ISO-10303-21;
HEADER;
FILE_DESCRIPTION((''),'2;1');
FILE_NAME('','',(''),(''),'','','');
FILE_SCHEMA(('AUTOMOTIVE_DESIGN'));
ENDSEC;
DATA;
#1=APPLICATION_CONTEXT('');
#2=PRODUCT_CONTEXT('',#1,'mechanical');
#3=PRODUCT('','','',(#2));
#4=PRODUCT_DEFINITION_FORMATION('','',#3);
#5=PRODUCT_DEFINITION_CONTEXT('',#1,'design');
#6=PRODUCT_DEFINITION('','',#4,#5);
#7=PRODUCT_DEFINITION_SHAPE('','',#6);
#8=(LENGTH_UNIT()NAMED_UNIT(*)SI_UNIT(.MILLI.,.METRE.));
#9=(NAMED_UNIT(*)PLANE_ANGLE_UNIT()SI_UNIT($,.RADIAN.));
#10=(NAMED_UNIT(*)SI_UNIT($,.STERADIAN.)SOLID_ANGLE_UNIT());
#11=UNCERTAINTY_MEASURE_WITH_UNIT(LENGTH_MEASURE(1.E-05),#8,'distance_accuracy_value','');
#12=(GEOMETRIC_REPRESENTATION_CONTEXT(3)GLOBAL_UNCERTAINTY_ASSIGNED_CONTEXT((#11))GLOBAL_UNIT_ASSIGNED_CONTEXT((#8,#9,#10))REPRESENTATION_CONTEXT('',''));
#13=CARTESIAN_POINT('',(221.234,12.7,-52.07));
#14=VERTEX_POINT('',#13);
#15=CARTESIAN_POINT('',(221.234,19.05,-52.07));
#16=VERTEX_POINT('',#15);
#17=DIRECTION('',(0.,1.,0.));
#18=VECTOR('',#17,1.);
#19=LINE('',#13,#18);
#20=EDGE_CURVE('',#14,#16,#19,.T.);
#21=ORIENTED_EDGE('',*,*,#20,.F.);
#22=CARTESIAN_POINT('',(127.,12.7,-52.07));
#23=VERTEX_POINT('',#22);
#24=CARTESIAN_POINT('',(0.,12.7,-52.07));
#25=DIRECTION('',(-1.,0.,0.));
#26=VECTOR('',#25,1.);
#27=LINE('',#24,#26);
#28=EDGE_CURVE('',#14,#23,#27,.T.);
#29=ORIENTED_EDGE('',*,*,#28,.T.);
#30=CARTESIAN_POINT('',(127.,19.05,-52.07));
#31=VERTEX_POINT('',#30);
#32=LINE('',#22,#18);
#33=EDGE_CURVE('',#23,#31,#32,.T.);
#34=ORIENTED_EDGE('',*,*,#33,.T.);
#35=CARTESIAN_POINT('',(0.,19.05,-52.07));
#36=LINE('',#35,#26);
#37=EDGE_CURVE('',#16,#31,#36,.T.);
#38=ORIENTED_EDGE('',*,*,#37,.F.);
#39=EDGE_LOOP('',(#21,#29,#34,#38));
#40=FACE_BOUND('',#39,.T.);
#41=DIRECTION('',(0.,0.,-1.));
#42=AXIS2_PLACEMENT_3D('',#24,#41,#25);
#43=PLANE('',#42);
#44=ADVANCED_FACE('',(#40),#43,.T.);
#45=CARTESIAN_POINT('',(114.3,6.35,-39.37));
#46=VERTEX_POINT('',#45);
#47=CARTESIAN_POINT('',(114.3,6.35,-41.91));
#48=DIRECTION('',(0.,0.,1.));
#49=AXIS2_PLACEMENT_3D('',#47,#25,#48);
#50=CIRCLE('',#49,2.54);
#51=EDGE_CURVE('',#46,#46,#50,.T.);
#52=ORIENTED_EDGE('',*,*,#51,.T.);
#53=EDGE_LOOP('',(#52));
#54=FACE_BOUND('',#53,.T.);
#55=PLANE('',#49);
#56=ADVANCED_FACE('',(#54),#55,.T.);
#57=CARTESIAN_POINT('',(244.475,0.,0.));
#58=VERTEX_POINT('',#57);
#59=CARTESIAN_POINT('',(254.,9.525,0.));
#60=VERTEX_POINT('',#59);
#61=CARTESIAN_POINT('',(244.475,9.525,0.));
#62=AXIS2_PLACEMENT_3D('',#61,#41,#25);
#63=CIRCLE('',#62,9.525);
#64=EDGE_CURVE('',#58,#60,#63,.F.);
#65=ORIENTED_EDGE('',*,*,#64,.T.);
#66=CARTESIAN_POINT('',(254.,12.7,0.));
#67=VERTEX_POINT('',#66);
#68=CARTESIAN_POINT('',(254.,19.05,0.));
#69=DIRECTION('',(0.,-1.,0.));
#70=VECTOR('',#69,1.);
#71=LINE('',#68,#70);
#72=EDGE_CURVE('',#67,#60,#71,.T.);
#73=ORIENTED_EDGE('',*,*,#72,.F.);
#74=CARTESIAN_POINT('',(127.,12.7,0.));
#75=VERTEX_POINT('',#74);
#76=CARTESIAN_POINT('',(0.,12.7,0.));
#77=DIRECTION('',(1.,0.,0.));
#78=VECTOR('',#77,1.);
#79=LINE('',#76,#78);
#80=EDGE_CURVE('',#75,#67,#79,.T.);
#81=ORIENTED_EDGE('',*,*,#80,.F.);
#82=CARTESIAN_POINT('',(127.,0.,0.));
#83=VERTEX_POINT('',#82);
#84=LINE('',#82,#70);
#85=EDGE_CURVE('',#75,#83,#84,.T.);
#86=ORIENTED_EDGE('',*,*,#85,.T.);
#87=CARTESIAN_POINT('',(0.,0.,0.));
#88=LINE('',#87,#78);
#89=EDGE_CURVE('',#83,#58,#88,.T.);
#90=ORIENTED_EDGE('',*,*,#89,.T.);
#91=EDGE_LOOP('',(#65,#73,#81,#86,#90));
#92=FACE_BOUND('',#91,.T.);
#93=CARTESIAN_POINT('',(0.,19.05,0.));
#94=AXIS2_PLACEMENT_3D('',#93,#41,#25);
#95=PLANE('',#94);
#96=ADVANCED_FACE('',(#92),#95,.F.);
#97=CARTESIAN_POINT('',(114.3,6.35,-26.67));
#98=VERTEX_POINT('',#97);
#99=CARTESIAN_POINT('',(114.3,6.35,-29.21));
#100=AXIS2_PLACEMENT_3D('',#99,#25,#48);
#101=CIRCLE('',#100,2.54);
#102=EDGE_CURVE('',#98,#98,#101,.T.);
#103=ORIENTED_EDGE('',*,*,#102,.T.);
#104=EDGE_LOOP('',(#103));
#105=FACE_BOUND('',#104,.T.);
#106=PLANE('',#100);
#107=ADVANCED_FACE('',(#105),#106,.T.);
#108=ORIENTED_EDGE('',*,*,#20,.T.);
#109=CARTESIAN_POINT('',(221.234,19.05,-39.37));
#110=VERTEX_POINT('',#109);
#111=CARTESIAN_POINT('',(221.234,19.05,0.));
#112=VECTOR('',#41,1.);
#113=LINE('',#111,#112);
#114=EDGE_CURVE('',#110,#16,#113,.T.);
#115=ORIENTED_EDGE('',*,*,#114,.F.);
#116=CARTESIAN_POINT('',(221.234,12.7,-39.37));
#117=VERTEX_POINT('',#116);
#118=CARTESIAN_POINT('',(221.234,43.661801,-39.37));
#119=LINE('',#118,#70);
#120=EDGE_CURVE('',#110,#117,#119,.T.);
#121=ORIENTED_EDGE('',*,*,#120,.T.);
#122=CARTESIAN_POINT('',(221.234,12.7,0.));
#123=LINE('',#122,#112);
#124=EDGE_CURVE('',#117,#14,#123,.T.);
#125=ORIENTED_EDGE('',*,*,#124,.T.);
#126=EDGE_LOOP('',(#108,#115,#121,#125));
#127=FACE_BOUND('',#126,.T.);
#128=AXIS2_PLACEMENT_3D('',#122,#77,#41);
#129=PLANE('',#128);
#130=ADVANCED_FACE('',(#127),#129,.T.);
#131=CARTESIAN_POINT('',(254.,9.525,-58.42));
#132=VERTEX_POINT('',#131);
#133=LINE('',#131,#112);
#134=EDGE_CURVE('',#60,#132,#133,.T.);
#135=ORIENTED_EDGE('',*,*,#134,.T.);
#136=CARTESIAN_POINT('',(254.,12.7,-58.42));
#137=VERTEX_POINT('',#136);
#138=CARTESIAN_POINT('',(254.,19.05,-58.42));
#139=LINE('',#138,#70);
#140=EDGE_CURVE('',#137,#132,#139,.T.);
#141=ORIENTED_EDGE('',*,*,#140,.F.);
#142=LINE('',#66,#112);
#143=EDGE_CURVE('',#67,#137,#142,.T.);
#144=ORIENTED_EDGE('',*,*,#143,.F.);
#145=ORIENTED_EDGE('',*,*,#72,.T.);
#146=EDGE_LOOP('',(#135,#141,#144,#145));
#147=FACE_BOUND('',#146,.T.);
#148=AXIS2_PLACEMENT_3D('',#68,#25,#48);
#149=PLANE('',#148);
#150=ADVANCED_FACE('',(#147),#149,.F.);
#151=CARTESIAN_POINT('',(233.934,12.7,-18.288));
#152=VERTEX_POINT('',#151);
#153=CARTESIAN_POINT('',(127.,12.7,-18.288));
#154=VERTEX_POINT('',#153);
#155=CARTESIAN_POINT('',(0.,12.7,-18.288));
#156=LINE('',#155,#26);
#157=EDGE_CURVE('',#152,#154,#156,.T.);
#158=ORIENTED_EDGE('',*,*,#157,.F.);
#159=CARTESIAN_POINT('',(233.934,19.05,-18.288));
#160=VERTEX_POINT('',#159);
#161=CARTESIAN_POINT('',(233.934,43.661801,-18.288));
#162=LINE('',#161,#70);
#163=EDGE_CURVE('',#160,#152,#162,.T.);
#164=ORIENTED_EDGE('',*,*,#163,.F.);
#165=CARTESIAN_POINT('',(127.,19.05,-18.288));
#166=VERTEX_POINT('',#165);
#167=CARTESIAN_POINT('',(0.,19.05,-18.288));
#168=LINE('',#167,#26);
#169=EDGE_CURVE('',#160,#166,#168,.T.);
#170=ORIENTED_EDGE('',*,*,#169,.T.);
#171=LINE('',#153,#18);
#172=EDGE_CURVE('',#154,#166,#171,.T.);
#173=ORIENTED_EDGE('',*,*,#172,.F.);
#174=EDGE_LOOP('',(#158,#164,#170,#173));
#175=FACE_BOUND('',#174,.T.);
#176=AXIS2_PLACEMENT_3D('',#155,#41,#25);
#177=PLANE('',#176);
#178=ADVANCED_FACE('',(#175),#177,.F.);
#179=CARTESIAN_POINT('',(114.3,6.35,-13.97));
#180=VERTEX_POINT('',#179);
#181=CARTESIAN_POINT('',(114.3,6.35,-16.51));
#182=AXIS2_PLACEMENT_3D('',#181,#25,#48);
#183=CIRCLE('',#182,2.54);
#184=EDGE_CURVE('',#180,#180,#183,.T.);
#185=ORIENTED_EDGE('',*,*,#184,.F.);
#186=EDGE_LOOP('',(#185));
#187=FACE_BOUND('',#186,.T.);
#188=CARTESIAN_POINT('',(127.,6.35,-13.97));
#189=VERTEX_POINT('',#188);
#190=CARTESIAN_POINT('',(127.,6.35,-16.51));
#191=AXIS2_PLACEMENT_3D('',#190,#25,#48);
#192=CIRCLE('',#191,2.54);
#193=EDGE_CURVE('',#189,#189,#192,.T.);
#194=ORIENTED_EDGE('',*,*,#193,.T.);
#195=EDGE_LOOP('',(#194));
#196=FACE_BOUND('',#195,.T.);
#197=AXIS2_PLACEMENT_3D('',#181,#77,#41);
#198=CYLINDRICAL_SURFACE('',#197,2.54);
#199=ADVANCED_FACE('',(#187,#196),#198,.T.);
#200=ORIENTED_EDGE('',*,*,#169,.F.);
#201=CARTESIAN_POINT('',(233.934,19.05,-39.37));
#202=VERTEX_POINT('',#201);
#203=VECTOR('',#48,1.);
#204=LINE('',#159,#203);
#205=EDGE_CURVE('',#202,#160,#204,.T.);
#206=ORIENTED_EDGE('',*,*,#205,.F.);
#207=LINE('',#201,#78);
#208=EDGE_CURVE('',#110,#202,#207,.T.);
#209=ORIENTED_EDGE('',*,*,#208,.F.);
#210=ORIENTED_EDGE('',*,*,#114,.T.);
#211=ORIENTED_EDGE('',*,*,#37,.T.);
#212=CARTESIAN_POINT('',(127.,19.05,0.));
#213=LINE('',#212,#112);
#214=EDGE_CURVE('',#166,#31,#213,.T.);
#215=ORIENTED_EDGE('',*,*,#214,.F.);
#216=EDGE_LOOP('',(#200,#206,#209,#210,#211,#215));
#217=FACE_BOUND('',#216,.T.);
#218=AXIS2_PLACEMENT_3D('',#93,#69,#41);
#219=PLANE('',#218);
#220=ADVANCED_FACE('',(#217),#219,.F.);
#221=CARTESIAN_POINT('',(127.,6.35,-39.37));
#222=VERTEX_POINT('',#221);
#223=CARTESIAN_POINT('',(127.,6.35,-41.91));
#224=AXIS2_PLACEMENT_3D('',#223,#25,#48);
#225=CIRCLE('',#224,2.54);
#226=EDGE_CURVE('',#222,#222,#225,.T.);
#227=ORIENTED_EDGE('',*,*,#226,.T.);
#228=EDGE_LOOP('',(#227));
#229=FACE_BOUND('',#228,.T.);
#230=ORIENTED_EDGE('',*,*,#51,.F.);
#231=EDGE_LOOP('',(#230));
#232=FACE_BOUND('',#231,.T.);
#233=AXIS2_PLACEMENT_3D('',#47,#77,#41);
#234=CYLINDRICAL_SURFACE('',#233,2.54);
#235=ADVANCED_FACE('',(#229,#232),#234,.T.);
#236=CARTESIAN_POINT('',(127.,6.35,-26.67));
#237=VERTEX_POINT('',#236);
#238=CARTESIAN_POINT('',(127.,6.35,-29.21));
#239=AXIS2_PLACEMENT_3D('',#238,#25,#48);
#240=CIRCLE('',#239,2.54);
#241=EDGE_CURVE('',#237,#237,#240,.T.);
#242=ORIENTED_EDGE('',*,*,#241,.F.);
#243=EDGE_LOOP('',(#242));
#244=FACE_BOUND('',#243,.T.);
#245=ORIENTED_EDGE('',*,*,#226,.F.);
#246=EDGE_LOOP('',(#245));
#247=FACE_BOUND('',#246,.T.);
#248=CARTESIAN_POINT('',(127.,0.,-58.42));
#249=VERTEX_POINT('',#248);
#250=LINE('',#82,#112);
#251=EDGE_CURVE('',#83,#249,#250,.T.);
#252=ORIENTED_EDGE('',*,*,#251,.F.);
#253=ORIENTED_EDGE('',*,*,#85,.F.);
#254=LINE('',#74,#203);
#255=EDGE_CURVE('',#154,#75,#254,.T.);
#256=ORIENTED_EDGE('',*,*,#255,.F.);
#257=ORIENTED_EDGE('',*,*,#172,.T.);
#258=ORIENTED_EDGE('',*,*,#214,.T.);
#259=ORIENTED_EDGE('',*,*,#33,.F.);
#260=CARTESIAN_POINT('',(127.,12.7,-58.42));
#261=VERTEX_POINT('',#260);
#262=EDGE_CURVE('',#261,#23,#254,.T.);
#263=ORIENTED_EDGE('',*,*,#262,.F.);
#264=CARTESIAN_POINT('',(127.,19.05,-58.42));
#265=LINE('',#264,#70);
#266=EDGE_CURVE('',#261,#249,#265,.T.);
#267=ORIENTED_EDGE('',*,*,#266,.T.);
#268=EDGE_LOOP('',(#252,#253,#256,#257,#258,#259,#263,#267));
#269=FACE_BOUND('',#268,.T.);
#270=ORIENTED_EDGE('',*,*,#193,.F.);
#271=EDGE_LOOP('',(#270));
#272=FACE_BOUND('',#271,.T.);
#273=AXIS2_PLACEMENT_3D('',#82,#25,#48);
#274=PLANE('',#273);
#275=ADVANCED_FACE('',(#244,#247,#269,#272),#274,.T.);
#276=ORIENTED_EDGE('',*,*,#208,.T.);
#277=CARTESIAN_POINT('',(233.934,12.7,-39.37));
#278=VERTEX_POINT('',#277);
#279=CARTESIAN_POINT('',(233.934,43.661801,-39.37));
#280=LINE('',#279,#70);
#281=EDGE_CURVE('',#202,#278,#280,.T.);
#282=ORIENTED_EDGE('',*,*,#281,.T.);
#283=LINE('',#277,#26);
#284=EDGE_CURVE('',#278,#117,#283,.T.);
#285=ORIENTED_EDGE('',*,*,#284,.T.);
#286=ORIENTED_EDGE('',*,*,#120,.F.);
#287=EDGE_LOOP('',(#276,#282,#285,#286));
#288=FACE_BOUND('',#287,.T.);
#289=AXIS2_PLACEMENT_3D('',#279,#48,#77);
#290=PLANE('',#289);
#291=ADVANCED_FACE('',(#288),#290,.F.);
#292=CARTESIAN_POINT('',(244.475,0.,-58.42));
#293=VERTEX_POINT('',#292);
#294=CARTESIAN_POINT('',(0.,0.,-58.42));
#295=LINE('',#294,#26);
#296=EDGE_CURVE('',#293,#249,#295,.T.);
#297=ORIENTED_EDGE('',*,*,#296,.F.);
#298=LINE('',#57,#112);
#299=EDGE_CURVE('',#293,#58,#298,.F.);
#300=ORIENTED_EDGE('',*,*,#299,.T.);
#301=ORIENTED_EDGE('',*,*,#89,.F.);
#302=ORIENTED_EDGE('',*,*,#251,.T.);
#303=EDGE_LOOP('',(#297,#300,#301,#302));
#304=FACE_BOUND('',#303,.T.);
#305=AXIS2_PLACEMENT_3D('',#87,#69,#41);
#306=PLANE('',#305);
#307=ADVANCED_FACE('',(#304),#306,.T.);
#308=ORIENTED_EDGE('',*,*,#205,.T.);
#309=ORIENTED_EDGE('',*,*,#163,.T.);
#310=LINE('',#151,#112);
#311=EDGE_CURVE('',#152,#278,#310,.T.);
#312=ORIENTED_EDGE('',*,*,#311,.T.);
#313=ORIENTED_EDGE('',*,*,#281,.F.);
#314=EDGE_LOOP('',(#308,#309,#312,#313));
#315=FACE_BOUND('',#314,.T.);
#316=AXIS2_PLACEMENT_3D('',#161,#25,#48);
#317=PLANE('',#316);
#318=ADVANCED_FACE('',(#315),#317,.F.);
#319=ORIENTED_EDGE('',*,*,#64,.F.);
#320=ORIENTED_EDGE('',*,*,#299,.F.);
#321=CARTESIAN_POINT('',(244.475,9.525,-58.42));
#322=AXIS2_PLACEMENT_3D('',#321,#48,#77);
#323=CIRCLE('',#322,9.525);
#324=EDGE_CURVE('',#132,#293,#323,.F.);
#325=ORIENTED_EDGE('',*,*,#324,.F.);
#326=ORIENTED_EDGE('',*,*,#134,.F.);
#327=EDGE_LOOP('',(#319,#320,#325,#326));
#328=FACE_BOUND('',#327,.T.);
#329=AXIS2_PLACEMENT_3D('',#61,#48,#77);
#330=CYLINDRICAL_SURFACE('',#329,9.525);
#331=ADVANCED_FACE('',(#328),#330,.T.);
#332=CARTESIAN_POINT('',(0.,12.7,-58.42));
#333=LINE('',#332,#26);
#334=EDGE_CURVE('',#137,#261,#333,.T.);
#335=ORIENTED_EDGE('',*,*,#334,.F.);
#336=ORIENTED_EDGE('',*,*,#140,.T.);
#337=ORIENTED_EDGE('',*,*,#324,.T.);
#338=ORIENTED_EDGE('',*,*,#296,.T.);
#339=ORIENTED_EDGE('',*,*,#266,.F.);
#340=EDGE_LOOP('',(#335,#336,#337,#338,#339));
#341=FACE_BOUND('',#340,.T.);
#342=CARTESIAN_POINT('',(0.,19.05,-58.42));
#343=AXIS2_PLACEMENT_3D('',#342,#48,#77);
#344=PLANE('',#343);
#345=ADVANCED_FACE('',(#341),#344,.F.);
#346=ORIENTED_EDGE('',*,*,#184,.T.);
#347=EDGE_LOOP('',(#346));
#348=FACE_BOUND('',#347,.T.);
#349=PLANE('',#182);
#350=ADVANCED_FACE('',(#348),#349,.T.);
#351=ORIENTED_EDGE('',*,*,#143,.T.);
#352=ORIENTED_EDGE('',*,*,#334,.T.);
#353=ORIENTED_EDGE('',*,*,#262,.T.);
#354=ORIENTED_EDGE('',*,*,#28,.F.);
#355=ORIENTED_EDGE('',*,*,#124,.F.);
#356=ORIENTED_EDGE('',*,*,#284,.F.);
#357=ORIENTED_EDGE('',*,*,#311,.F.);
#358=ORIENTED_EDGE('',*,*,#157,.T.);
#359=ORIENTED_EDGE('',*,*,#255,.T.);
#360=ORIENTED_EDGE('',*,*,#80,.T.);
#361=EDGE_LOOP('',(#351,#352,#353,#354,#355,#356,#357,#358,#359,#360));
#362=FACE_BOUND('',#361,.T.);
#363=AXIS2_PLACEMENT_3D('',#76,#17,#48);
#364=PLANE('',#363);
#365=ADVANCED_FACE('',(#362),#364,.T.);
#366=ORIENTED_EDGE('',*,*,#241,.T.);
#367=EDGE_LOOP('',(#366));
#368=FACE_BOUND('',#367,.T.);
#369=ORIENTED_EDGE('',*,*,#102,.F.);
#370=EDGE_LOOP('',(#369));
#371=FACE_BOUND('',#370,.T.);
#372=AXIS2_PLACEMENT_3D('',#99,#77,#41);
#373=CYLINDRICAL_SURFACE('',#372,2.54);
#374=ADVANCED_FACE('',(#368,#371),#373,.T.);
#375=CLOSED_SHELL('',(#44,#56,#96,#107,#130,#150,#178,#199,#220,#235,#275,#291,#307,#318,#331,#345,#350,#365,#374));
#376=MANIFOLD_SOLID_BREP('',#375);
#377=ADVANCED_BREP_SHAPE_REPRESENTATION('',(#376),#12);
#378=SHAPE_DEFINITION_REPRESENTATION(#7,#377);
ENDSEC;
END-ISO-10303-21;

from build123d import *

# Parameters (mm, degrees)
SKETCH1_W           = 254
SKETCH1_H           = 58.42
BOSS_EXTRUDE1_DEPTH = 19.05
CUT_EXTRUDE1_DEPTH  = 6.35
FILLET1_R           = 9.525
CUT_EXTRUDE2_START  = -127
SKETCH3_W           = 65.063506332
SKETCH3_H           = 25.722431086
CUT_EXTRUDE2_DEPTH  = 127
SKETCH4_R           = 2.54
BOSS_EXTRUDE2_DEPTH = 12.7
SKETCH5_W           = 12.7
SKETCH5_H           = 21.082
BOSS_EXTRUDE3_DEPTH = 6.35


with BuildPart() as part:
    # Sketch1 → Boss-Extrude1 (new body)
    with BuildSketch(Plane(origin=(0, 0, 0), x_dir=(1, 0, 0), z_dir=(0, 1, 0))):
        with Locations((127, 29.21)):
            Rectangle(SKETCH1_W, SKETCH1_H)
    extrude(amount=BOSS_EXTRUDE1_DEPTH)

    # Sketch2 → Cut-Extrude1 (cut)
    with BuildSketch(Plane(origin=(0, 19.05, 0), x_dir=(1, 0, 0), z_dir=(0, 1, 0))):
        Polygon((221.234, 52.07), (221.234, 18.288), (127, 18.288), (127, 0), (254, 0), (254, 58.42), (127, 58.42), (127, 52.07), align=None)
        Polygon((127, 0), (127, 18.288), (32.766, 18.288), (32.766, 52.07), (127, 52.07), (127, 58.42), (0, 58.42), (0, 0), align=None)
    extrude(amount=-CUT_EXTRUDE1_DEPTH, mode=Mode.SUBTRACT)

    # Fillet1
    fillet1_edges = [part.edges().sort_by_distance(p)[0] for p in [
        (254, 0, -29.21),
        (0, 0, -29.21),
    ]]
    fillet(fillet1_edges, radius=FILLET1_R)

    # Sketch3 → Cut-Extrude2 (cut)
    with BuildSketch(Plane.ZY.offset(CUT_EXTRUDE2_START)):
        with Locations((-32.531753166, 12.861215543)):
            Rectangle(SKETCH3_W, SKETCH3_H)
    extrude(amount=CUT_EXTRUDE2_DEPTH, mode=Mode.SUBTRACT)

    # Sketch4 → Boss-Extrude2 (add)
    with BuildSketch(Plane.ZY.offset(-127)):
        with Locations((-16.51, 6.35)):
            Circle(SKETCH4_R)
        with Locations((-29.21, 6.35)):
            Circle(SKETCH4_R)
        with Locations((-41.91, 6.35)):
            Circle(SKETCH4_R)
    extrude(amount=BOSS_EXTRUDE2_DEPTH)

    # Sketch5 → Boss-Extrude3 (add)
    with BuildSketch(Plane(origin=(0, 12.7, 0), x_dir=(1, 0, 0), z_dir=(0, 1, 0))):
        with Locations((227.584, 28.829)):
            Rectangle(SKETCH5_W, SKETCH5_H)
    extrude(amount=BOSS_EXTRUDE3_DEPTH)


solid = part.part
